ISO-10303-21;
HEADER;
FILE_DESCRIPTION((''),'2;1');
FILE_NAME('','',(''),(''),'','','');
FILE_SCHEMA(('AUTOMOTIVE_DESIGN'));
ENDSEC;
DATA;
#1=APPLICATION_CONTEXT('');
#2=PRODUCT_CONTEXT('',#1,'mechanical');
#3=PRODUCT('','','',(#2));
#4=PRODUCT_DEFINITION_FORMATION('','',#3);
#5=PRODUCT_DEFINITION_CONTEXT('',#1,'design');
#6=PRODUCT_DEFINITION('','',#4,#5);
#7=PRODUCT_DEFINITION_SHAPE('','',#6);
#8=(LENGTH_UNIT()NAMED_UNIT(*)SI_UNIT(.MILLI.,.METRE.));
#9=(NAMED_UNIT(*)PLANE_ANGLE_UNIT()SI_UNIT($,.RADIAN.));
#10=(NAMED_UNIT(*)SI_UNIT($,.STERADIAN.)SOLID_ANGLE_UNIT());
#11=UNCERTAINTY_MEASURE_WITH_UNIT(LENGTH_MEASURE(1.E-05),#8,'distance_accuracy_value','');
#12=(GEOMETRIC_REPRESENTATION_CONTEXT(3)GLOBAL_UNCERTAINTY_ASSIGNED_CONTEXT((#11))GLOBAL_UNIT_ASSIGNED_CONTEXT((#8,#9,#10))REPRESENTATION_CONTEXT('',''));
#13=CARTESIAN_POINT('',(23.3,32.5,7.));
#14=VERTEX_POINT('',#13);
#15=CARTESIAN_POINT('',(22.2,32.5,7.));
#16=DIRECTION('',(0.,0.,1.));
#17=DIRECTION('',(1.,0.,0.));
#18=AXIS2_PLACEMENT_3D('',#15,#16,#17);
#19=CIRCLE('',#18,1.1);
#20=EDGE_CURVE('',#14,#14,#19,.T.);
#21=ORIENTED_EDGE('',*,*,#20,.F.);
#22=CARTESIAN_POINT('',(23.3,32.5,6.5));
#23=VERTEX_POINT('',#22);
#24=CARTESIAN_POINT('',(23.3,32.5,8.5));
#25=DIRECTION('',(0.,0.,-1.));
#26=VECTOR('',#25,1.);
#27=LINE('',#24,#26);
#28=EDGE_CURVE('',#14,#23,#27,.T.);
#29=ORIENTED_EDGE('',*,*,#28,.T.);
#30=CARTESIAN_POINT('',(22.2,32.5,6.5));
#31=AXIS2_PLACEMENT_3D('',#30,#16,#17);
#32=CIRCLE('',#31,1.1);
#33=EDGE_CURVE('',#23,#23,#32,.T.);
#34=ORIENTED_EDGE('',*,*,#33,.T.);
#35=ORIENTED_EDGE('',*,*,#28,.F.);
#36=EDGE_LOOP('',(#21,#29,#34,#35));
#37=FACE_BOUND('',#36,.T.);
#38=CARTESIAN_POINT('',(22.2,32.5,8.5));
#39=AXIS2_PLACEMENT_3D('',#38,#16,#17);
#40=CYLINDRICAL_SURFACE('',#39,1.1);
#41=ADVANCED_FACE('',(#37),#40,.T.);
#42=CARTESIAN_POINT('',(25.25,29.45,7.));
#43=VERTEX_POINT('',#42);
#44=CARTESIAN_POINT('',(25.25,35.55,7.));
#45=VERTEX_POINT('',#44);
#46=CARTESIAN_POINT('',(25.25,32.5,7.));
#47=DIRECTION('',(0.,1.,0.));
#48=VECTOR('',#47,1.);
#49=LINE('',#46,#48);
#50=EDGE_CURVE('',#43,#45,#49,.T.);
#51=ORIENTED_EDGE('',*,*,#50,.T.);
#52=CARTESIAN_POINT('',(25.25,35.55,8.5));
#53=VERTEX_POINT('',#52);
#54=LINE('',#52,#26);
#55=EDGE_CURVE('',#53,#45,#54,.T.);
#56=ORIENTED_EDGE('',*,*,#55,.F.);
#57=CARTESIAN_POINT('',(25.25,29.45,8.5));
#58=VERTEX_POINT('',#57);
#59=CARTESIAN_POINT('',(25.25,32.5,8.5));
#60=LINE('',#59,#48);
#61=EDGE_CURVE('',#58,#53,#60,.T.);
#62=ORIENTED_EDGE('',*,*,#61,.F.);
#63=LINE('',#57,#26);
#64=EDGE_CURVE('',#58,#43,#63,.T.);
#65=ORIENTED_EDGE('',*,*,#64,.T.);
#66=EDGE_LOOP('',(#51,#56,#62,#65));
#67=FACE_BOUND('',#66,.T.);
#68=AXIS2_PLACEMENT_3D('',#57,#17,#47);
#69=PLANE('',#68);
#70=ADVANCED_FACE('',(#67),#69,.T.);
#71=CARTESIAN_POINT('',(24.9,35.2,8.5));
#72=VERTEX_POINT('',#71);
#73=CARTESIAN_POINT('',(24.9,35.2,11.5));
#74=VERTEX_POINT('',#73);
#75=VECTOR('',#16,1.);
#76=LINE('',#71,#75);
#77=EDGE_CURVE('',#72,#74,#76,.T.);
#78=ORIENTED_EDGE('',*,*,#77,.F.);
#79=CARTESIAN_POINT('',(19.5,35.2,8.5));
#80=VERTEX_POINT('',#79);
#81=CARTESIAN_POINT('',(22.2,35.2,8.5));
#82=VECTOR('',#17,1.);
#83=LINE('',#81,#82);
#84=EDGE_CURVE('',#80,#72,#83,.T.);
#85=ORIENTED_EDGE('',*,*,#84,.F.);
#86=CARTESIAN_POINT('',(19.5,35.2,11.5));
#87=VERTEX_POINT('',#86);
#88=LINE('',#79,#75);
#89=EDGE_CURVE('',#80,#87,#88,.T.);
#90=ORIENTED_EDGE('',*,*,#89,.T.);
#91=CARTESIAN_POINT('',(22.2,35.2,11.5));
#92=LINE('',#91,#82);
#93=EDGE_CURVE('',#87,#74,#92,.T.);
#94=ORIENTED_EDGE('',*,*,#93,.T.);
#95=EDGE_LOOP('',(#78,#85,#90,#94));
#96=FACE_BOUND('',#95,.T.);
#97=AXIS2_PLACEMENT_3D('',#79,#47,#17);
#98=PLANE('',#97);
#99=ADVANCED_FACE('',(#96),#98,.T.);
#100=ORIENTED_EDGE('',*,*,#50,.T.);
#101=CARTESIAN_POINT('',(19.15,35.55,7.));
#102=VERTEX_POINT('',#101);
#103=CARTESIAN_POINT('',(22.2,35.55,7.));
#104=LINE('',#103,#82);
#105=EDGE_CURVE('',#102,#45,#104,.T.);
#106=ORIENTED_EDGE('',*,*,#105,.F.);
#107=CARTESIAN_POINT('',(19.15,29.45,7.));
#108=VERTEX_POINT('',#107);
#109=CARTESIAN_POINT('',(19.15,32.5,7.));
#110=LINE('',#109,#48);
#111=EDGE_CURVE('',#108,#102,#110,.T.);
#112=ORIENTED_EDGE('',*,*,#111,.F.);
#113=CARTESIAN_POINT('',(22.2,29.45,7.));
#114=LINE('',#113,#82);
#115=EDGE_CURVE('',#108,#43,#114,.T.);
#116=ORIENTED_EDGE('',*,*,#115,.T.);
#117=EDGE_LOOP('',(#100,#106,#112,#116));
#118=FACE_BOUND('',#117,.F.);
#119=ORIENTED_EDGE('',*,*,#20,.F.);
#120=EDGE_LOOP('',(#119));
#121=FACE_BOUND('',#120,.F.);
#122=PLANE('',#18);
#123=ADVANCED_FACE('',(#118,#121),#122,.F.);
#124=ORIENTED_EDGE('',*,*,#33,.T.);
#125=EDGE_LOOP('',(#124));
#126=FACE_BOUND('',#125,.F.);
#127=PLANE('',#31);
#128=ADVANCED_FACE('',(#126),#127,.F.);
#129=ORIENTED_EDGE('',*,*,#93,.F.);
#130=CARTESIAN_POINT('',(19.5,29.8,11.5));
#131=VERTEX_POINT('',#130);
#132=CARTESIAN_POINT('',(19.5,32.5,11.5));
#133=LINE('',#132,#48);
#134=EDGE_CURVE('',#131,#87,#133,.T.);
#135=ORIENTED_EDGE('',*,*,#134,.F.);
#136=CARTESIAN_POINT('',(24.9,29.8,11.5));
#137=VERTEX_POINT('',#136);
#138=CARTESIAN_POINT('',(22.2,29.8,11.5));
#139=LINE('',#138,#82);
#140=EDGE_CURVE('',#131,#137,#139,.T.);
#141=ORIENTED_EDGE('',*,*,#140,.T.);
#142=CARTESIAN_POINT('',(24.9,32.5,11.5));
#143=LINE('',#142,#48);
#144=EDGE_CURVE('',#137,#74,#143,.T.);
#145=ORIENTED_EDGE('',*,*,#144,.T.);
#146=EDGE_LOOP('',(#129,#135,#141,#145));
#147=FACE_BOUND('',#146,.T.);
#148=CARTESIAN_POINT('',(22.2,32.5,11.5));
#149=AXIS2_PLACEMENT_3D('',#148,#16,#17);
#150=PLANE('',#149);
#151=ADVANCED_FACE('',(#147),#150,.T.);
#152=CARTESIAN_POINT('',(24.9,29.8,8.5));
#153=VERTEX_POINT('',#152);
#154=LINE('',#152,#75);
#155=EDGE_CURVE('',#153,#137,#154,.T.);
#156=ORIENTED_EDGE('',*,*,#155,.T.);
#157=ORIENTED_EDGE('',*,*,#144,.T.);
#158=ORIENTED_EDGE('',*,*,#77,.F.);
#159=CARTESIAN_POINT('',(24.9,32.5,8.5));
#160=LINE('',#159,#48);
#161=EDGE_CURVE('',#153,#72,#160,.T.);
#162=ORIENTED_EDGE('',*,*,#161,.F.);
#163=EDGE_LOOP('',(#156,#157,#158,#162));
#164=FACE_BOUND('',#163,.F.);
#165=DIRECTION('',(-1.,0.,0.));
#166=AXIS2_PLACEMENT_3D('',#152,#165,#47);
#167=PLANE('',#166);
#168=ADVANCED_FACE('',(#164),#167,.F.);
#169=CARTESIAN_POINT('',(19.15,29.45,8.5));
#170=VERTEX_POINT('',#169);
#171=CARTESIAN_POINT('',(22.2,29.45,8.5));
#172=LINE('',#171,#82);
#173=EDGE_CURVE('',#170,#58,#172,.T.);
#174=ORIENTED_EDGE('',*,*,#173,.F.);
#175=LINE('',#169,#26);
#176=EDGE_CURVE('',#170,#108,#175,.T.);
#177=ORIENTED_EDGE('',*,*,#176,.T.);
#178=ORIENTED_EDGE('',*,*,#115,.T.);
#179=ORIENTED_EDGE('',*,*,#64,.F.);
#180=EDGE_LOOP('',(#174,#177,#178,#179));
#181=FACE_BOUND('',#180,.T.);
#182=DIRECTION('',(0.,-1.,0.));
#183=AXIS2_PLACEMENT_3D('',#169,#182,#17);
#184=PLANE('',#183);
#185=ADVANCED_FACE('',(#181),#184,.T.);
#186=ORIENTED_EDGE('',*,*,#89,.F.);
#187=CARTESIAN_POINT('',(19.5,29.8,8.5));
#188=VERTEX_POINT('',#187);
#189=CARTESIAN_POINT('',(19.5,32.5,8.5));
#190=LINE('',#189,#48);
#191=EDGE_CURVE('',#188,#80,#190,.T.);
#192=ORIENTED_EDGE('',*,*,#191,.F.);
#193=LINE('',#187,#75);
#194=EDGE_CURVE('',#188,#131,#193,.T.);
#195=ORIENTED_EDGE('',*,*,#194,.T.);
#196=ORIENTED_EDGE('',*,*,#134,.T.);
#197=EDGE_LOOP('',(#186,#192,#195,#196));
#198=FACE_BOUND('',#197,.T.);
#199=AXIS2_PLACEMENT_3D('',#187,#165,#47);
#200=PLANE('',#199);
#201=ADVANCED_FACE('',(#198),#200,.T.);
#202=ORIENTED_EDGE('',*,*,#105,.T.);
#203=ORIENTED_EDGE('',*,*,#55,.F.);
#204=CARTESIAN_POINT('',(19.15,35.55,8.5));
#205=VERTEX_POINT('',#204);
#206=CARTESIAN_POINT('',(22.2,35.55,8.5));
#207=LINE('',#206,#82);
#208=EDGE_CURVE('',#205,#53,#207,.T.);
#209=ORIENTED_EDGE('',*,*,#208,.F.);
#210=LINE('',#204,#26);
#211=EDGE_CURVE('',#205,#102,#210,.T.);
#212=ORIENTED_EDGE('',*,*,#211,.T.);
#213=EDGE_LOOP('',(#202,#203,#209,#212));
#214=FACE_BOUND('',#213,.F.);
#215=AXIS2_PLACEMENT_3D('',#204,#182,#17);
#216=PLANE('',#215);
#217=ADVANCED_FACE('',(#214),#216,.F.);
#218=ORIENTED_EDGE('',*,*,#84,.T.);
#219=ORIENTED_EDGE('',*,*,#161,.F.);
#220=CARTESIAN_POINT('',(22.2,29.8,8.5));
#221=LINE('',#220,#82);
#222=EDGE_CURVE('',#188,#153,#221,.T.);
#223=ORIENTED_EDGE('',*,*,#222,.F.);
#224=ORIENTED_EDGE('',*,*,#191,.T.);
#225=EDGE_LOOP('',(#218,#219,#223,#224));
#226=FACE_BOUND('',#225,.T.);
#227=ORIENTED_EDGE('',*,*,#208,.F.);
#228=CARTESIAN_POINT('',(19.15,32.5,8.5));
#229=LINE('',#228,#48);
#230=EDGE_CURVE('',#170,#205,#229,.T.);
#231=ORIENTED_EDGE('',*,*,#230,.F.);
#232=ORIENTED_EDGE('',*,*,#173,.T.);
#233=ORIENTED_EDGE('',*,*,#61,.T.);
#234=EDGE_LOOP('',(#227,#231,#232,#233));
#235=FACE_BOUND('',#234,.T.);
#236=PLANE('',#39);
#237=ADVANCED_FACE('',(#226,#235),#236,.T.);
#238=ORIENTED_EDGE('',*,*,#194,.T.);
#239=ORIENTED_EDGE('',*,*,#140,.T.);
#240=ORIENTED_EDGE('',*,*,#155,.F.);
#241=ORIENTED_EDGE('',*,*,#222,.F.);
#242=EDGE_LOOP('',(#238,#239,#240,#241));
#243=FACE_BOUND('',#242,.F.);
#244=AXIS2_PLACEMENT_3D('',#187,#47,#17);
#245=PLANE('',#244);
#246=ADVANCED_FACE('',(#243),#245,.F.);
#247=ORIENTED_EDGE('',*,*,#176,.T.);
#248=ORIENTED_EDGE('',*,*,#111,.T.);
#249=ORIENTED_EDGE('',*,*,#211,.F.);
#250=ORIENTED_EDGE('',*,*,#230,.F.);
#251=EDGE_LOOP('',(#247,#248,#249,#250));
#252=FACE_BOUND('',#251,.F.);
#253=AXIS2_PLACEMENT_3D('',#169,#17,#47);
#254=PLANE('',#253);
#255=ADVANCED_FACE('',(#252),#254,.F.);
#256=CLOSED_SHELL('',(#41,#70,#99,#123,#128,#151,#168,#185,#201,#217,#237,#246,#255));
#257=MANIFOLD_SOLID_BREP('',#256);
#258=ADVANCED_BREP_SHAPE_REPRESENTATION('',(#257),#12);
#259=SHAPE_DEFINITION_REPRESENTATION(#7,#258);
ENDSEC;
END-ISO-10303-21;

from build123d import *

# Parameters (mm, degrees)
SKETCH018_W  = 5.4
SKETCH018_H  = 5.4
PAD012_DEPTH = 3
SKETCH020_W  = 6.1
SKETCH020_H  = 6.1
PAD013_DEPTH = 1.5
SKETCH021_R  = 1.1
PAD014_DEPTH = 2


with BuildPart() as part:
    # Sketch018 → Pad012 (new body)
    with BuildSketch(Plane.XY):
        with Locations((22.2, 0)):
            Rectangle(SKETCH018_W, SKETCH018_H)
    extrude(amount=PAD012_DEPTH)

    # Sketch020 → Pad013 (join)
    with BuildSketch(Plane.XY):
        with Locations((22.2, 0)):
            Rectangle(SKETCH020_W, SKETCH020_H)
    extrude(amount=-PAD013_DEPTH)

    # Sketch021 → Pad014 (join)
    with BuildSketch(Plane.XY):
        with Locations((22.2, 0)):
            Circle(SKETCH021_R)
    extrude(amount=-PAD014_DEPTH)


with BuildPart() as part_1:
    # Body006 placement: moved
    add(part.part.moved(Location((0, 32.5, 8.5))))


solid = part_1.part
